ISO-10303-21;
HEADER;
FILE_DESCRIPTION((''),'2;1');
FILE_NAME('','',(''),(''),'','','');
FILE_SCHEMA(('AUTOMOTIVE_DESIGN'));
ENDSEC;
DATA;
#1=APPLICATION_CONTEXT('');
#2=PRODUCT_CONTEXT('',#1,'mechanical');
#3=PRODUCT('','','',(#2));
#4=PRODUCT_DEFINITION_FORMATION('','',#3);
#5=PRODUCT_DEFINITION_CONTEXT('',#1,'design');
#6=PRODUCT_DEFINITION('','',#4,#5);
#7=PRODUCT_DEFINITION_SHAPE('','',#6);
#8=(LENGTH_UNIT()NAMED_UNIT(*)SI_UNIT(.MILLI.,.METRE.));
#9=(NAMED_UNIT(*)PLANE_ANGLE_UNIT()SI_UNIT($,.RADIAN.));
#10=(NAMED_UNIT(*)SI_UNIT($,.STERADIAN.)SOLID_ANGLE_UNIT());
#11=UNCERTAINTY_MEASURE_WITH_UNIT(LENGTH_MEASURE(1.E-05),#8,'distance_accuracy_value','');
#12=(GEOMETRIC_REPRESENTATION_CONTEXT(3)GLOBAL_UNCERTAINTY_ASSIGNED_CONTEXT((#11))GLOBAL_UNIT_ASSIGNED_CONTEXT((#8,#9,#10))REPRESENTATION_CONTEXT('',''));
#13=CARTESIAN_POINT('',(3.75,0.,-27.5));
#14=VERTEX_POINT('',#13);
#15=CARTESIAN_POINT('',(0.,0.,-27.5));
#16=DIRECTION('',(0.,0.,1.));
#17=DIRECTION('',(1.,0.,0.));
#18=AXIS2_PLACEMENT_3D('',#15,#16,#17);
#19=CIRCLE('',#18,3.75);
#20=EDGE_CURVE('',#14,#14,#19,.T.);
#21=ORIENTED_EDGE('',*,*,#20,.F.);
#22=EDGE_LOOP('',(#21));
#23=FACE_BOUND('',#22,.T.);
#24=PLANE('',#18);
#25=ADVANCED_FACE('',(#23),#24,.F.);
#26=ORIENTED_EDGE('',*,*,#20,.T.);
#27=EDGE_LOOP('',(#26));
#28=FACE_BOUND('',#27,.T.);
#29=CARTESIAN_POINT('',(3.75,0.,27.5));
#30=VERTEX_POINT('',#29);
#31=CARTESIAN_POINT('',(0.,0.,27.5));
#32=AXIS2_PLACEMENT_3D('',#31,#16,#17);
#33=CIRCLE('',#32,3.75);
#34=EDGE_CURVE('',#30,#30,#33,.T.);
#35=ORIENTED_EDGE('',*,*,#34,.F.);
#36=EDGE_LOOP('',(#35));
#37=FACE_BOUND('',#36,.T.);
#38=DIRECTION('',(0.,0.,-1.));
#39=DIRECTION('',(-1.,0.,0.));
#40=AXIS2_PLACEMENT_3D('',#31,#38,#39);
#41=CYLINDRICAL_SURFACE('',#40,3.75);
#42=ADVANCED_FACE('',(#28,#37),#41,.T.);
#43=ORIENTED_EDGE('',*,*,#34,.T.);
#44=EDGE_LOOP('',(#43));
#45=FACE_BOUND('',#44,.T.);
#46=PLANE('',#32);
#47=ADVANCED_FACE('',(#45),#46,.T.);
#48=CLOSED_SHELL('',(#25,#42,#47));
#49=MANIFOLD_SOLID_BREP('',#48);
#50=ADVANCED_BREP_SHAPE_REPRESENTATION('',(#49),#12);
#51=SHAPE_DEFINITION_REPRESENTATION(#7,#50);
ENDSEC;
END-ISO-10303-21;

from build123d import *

# Parameters (mm, degrees)
SKETCH1_R           = 3.75
BOSS_EXTRUDE1_DEPTH = 27.5


with BuildPart() as part:
    # Sketch1 → Boss-Extrude1 (new body, symmetric)
    with BuildSketch(Plane.XY):
        Circle(SKETCH1_R)
    extrude(amount=BOSS_EXTRUDE1_DEPTH, both=True)


solid = part.part
